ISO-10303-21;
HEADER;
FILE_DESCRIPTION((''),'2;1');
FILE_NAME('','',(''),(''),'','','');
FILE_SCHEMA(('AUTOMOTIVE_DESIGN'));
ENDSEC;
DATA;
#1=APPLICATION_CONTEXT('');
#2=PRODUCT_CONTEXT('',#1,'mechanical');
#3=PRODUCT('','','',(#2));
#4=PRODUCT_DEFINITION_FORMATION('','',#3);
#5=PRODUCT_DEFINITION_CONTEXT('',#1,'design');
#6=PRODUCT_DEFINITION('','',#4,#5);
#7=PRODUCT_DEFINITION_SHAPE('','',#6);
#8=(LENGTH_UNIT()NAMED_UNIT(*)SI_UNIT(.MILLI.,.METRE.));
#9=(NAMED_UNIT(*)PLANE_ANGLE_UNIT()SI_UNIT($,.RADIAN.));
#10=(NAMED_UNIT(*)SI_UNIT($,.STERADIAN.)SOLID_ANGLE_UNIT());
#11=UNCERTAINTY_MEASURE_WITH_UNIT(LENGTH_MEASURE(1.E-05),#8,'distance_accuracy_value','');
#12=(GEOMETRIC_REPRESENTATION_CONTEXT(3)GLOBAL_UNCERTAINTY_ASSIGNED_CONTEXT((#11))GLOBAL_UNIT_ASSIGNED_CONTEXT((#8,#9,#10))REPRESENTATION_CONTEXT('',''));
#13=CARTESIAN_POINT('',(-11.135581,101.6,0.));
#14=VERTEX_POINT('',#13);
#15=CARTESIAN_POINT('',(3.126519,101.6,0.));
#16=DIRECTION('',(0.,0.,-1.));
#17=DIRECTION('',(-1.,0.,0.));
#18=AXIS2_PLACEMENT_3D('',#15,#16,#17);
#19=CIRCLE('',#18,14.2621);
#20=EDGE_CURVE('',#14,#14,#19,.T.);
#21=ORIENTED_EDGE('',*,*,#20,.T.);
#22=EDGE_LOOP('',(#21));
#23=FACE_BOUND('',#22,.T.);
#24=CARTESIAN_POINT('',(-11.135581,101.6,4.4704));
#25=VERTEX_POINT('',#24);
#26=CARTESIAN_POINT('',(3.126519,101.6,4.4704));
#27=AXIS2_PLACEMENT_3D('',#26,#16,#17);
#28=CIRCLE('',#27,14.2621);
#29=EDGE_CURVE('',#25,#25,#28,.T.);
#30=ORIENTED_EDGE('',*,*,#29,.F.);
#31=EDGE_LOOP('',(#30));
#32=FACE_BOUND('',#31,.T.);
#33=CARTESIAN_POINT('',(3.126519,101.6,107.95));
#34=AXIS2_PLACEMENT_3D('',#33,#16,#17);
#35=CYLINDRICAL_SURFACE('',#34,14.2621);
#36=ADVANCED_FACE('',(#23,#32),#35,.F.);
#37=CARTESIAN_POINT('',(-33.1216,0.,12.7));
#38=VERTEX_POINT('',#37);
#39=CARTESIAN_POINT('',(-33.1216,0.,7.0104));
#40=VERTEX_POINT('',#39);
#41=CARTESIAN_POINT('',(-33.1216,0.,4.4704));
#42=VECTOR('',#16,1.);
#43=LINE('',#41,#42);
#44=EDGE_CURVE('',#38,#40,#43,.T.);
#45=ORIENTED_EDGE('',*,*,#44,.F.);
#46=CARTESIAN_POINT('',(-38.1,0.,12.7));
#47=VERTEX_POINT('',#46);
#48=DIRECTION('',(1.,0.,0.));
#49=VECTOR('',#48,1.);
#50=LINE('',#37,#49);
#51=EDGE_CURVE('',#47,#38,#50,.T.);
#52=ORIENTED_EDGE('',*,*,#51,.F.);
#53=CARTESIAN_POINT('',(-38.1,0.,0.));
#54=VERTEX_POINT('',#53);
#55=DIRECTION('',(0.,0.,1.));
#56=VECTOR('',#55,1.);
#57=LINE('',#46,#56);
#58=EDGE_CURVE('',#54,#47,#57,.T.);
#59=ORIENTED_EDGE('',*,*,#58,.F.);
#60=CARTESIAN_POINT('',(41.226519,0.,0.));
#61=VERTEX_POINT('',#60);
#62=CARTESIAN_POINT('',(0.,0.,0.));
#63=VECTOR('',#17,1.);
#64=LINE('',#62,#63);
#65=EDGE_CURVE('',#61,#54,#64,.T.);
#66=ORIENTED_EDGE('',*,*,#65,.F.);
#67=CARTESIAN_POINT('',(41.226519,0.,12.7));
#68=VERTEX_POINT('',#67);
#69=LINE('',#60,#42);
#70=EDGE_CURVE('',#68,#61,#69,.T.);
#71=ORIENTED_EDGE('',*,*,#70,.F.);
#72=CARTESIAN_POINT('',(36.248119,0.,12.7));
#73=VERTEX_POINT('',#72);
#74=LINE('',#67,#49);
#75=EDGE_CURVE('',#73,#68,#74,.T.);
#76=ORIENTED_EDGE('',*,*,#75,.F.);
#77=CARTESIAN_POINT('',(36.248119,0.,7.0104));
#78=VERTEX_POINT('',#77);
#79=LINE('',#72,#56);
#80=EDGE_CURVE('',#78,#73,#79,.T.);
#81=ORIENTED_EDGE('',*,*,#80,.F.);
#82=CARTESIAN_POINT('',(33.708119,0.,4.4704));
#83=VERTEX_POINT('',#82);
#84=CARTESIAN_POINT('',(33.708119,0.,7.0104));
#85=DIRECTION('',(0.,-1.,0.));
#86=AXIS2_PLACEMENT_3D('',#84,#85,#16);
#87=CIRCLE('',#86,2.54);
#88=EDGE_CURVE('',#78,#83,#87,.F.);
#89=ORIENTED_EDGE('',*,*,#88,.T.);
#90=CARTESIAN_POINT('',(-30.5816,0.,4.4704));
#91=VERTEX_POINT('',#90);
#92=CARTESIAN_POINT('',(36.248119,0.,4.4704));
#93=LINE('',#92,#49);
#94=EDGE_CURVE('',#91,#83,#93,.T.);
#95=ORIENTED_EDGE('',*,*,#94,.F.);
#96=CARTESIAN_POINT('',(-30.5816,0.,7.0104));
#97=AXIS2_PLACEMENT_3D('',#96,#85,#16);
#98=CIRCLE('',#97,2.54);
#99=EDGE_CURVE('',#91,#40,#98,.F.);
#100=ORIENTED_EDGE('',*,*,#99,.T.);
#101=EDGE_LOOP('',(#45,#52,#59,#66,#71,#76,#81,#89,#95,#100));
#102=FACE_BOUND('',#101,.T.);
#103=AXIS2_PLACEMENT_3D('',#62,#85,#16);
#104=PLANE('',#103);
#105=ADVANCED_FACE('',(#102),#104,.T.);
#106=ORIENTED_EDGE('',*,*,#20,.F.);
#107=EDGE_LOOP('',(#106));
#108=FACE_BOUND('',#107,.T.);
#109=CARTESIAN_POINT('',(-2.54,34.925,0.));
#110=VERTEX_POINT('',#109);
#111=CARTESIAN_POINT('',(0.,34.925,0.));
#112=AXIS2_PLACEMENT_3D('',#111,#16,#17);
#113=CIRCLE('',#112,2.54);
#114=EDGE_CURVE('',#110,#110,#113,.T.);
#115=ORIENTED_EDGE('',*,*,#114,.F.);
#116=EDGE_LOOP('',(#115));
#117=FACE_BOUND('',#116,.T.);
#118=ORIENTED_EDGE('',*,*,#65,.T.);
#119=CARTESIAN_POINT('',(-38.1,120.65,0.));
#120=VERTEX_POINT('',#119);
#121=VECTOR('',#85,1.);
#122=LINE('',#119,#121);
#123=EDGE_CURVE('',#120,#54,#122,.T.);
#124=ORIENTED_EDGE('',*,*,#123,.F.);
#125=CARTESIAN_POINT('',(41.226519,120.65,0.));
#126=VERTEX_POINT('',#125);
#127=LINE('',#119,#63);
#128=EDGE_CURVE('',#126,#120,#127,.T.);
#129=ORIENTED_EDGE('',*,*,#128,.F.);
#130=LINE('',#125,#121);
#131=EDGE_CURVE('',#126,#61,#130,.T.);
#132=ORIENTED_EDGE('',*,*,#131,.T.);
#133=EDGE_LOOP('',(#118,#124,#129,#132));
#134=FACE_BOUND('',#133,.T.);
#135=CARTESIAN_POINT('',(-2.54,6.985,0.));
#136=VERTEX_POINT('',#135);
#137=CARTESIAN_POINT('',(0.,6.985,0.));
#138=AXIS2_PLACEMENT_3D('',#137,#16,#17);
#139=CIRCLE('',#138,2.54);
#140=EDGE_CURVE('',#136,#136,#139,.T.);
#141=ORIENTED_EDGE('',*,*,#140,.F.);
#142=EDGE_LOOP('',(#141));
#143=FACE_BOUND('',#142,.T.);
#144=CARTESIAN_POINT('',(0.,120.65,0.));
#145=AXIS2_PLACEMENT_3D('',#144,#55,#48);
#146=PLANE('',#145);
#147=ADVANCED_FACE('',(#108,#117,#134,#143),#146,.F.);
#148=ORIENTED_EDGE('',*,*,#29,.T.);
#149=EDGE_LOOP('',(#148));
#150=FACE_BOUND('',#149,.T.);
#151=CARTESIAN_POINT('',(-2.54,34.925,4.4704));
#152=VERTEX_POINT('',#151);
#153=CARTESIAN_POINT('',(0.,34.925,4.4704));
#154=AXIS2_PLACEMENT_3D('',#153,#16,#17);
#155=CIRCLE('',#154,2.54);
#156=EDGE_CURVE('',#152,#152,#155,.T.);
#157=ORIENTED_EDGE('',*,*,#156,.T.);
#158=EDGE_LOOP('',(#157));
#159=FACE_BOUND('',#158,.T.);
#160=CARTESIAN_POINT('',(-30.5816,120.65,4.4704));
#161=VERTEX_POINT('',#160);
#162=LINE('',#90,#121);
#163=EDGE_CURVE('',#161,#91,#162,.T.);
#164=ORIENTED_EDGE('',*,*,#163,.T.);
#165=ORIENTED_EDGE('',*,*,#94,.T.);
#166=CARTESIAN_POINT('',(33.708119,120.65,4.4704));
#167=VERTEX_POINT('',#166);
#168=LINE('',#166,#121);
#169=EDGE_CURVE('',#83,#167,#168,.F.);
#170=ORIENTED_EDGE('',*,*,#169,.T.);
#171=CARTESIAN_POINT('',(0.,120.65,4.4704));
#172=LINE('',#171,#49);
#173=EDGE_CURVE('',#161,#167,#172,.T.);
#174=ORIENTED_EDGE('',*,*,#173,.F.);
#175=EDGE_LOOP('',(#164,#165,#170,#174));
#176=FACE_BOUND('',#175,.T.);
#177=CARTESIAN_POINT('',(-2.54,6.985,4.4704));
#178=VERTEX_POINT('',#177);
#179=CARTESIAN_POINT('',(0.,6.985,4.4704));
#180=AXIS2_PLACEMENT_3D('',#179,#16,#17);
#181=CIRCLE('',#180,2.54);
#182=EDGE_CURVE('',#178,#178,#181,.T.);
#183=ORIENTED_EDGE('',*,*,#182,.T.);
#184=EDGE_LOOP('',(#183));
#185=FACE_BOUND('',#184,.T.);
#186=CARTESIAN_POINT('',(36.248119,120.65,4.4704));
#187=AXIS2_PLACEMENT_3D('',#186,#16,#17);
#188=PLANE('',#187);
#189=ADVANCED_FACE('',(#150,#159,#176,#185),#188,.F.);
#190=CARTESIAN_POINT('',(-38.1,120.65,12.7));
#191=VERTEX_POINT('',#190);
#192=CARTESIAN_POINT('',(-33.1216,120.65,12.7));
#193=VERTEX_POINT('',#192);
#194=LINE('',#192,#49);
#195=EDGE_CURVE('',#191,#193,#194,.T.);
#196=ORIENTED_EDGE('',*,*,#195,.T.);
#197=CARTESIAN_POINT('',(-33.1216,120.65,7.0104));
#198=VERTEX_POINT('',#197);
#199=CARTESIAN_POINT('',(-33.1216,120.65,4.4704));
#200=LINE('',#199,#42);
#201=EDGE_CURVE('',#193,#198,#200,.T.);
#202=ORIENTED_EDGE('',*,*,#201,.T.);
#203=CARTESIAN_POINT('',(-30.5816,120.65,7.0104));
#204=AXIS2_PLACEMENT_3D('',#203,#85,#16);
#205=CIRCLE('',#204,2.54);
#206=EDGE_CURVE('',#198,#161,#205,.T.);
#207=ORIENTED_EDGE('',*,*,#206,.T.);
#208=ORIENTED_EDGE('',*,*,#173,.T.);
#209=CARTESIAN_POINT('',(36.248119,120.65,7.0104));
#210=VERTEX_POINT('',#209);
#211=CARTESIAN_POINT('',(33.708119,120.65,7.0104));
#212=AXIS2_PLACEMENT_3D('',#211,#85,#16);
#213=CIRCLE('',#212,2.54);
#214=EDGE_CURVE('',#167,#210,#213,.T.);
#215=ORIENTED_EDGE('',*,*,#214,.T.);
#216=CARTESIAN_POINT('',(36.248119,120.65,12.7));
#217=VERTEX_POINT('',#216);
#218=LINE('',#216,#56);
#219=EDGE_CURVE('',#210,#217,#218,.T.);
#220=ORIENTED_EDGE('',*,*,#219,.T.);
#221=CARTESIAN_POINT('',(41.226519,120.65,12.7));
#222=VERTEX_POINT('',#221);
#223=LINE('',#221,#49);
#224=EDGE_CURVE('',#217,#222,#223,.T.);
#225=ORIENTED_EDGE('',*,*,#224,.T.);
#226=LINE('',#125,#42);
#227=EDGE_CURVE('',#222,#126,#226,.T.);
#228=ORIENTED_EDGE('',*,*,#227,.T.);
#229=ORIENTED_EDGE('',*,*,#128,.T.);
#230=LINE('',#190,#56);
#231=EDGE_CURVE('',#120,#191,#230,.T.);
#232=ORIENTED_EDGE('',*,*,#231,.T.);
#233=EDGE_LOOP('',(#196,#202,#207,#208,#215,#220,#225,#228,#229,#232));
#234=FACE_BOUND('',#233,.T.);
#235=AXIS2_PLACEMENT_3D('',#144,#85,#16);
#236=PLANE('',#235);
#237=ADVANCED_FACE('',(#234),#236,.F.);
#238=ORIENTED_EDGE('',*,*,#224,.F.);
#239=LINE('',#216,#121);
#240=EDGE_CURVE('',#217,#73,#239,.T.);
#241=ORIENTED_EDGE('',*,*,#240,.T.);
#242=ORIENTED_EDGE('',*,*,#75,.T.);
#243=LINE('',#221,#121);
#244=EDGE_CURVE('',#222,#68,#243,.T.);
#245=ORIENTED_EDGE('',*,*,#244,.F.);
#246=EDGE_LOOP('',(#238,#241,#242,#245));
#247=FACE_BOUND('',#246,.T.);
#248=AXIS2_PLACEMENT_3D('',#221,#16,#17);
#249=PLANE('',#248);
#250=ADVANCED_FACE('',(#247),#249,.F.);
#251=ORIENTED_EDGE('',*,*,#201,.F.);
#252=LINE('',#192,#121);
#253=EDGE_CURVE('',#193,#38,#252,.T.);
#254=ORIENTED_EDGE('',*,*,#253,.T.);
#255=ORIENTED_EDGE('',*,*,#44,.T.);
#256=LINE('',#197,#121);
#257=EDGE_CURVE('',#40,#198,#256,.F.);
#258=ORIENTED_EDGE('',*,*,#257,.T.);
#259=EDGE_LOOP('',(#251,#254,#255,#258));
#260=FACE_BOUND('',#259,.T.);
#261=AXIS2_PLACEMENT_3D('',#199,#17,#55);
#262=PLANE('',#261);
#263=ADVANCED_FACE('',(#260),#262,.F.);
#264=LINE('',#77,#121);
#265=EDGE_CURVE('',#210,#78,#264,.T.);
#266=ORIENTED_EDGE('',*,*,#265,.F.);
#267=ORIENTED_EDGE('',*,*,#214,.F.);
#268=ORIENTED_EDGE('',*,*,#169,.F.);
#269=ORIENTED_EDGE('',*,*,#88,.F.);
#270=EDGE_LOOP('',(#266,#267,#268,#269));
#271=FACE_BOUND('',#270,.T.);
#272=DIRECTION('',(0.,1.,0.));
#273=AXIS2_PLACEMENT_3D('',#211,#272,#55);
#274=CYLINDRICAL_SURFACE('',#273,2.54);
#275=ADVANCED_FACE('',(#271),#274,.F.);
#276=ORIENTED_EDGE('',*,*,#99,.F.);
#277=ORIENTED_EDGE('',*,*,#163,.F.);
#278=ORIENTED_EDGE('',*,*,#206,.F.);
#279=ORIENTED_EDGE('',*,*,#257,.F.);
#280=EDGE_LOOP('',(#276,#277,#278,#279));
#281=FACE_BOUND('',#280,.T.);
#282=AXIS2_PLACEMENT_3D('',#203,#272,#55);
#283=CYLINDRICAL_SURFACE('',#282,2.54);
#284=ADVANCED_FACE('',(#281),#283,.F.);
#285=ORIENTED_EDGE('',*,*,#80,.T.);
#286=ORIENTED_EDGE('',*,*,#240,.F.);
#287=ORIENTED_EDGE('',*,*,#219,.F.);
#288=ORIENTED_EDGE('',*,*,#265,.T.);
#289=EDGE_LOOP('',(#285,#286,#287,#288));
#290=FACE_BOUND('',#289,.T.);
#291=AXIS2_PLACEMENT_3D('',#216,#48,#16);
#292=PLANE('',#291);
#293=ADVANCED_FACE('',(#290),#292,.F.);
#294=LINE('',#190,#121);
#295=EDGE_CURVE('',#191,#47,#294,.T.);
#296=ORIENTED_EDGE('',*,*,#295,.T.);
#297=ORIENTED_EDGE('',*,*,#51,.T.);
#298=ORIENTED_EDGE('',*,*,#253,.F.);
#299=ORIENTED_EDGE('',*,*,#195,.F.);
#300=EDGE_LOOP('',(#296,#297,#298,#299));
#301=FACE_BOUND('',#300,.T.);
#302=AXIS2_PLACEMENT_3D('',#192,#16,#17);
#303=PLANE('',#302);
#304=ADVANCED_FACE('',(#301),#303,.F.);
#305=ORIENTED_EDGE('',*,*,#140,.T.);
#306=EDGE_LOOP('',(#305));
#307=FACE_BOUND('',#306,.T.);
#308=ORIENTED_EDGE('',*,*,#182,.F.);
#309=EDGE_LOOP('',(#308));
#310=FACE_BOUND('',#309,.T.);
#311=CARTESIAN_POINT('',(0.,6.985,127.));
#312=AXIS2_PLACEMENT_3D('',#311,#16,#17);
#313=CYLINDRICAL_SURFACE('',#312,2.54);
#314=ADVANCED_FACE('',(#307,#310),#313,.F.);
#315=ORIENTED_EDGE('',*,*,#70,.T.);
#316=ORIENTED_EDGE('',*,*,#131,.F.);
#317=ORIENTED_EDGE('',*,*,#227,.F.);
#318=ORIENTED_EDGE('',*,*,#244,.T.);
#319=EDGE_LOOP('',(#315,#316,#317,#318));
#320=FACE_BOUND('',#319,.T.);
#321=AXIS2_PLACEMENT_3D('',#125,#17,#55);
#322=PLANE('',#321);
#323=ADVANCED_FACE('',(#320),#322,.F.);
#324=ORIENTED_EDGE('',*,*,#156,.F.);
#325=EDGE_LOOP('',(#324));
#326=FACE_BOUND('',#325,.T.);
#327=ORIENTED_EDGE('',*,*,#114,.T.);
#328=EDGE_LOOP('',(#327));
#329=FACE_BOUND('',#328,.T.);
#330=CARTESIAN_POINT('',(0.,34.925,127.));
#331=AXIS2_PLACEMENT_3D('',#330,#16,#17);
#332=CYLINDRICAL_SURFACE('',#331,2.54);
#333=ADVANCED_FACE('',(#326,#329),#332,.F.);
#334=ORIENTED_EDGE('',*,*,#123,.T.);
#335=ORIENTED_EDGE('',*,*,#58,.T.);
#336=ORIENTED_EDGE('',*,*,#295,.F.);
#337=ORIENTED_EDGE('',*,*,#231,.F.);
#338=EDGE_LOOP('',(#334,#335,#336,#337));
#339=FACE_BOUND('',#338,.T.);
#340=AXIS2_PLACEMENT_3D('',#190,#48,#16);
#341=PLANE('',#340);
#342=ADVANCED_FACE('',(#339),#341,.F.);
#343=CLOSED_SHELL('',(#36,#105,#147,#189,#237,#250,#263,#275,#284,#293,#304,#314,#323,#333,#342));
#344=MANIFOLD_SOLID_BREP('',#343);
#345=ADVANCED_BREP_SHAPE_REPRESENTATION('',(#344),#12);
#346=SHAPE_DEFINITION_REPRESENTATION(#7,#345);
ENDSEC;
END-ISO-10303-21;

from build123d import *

# Parameters (mm, degrees)
BOSS_EXTRUDE1_DEPTH = 120.65
SKETCH3_R           = 14.2621
CUT_EXTRUDE1_DEPTH  = 107.95
SKETCH4_R           = 2.54
CUT_EXTRUDE2_DEPTH  = 127
SKETCH5_R           = 2.54
CUT_EXTRUDE3_DEPTH  = 127
FILLET1_R           = 2.54
FILLET2_R           = 2.54


with BuildPart() as part:
    # Sketch2 → Boss-Extrude1 (new body)
    with BuildSketch(Plane(origin=(0, 0, 0), x_dir=(1, 0, 0), z_dir=(0, 1, 0))):
        Polygon((0, 0), (41.226518858, 0), (41.226518858, -12.7), (36.248118858, -12.7), (36.248118858, -4.4704), (0, -4.4704), (-33.1216, -4.4704), (-33.1216, -12.7), (-38.1, -12.7), (-38.1, 0), align=None)
    extrude(amount=BOSS_EXTRUDE1_DEPTH)

    # Sketch3 → Cut-Extrude1 (cut)
    with BuildSketch(Plane(origin=(0, 0, 0), x_dir=(-1, 0, 0), z_dir=(0, 0, -1))):
        with Locations((-3.126518858, 101.6)):
            Circle(SKETCH3_R)
    extrude(amount=-CUT_EXTRUDE1_DEPTH, mode=Mode.SUBTRACT)

    # Sketch4 → Cut-Extrude2 (cut)
    with BuildSketch(Plane(origin=(0, 0, 0), x_dir=(-1, 0, 0), z_dir=(0, 0, -1))):
        with Locations((0, 34.925)):
            Circle(SKETCH4_R)
    extrude(amount=-CUT_EXTRUDE2_DEPTH, mode=Mode.SUBTRACT)

    # Sketch5 → Cut-Extrude3 (cut)
    with BuildSketch(Plane(origin=(0, 0, 0), x_dir=(-1, 0, 0), z_dir=(0, 0, -1))):
        with Locations((0, 6.985)):
            Circle(SKETCH5_R)
    extrude(amount=-CUT_EXTRUDE3_DEPTH, mode=Mode.SUBTRACT)

    # Fillet1
    fillet1_edges = [part.edges().sort_by_distance(p)[0] for p in [
        (-33.1216, 60.325, 4.4704),
    ]]
    fillet(fillet1_edges, radius=FILLET1_R)

    # Fillet2
    fillet2_edges = [part.edges().sort_by_distance(p)[0] for p in [
        (36.248118858, 60.325, 4.4704),
    ]]
    fillet(fillet2_edges, radius=FILLET2_R)


solid = part.part
